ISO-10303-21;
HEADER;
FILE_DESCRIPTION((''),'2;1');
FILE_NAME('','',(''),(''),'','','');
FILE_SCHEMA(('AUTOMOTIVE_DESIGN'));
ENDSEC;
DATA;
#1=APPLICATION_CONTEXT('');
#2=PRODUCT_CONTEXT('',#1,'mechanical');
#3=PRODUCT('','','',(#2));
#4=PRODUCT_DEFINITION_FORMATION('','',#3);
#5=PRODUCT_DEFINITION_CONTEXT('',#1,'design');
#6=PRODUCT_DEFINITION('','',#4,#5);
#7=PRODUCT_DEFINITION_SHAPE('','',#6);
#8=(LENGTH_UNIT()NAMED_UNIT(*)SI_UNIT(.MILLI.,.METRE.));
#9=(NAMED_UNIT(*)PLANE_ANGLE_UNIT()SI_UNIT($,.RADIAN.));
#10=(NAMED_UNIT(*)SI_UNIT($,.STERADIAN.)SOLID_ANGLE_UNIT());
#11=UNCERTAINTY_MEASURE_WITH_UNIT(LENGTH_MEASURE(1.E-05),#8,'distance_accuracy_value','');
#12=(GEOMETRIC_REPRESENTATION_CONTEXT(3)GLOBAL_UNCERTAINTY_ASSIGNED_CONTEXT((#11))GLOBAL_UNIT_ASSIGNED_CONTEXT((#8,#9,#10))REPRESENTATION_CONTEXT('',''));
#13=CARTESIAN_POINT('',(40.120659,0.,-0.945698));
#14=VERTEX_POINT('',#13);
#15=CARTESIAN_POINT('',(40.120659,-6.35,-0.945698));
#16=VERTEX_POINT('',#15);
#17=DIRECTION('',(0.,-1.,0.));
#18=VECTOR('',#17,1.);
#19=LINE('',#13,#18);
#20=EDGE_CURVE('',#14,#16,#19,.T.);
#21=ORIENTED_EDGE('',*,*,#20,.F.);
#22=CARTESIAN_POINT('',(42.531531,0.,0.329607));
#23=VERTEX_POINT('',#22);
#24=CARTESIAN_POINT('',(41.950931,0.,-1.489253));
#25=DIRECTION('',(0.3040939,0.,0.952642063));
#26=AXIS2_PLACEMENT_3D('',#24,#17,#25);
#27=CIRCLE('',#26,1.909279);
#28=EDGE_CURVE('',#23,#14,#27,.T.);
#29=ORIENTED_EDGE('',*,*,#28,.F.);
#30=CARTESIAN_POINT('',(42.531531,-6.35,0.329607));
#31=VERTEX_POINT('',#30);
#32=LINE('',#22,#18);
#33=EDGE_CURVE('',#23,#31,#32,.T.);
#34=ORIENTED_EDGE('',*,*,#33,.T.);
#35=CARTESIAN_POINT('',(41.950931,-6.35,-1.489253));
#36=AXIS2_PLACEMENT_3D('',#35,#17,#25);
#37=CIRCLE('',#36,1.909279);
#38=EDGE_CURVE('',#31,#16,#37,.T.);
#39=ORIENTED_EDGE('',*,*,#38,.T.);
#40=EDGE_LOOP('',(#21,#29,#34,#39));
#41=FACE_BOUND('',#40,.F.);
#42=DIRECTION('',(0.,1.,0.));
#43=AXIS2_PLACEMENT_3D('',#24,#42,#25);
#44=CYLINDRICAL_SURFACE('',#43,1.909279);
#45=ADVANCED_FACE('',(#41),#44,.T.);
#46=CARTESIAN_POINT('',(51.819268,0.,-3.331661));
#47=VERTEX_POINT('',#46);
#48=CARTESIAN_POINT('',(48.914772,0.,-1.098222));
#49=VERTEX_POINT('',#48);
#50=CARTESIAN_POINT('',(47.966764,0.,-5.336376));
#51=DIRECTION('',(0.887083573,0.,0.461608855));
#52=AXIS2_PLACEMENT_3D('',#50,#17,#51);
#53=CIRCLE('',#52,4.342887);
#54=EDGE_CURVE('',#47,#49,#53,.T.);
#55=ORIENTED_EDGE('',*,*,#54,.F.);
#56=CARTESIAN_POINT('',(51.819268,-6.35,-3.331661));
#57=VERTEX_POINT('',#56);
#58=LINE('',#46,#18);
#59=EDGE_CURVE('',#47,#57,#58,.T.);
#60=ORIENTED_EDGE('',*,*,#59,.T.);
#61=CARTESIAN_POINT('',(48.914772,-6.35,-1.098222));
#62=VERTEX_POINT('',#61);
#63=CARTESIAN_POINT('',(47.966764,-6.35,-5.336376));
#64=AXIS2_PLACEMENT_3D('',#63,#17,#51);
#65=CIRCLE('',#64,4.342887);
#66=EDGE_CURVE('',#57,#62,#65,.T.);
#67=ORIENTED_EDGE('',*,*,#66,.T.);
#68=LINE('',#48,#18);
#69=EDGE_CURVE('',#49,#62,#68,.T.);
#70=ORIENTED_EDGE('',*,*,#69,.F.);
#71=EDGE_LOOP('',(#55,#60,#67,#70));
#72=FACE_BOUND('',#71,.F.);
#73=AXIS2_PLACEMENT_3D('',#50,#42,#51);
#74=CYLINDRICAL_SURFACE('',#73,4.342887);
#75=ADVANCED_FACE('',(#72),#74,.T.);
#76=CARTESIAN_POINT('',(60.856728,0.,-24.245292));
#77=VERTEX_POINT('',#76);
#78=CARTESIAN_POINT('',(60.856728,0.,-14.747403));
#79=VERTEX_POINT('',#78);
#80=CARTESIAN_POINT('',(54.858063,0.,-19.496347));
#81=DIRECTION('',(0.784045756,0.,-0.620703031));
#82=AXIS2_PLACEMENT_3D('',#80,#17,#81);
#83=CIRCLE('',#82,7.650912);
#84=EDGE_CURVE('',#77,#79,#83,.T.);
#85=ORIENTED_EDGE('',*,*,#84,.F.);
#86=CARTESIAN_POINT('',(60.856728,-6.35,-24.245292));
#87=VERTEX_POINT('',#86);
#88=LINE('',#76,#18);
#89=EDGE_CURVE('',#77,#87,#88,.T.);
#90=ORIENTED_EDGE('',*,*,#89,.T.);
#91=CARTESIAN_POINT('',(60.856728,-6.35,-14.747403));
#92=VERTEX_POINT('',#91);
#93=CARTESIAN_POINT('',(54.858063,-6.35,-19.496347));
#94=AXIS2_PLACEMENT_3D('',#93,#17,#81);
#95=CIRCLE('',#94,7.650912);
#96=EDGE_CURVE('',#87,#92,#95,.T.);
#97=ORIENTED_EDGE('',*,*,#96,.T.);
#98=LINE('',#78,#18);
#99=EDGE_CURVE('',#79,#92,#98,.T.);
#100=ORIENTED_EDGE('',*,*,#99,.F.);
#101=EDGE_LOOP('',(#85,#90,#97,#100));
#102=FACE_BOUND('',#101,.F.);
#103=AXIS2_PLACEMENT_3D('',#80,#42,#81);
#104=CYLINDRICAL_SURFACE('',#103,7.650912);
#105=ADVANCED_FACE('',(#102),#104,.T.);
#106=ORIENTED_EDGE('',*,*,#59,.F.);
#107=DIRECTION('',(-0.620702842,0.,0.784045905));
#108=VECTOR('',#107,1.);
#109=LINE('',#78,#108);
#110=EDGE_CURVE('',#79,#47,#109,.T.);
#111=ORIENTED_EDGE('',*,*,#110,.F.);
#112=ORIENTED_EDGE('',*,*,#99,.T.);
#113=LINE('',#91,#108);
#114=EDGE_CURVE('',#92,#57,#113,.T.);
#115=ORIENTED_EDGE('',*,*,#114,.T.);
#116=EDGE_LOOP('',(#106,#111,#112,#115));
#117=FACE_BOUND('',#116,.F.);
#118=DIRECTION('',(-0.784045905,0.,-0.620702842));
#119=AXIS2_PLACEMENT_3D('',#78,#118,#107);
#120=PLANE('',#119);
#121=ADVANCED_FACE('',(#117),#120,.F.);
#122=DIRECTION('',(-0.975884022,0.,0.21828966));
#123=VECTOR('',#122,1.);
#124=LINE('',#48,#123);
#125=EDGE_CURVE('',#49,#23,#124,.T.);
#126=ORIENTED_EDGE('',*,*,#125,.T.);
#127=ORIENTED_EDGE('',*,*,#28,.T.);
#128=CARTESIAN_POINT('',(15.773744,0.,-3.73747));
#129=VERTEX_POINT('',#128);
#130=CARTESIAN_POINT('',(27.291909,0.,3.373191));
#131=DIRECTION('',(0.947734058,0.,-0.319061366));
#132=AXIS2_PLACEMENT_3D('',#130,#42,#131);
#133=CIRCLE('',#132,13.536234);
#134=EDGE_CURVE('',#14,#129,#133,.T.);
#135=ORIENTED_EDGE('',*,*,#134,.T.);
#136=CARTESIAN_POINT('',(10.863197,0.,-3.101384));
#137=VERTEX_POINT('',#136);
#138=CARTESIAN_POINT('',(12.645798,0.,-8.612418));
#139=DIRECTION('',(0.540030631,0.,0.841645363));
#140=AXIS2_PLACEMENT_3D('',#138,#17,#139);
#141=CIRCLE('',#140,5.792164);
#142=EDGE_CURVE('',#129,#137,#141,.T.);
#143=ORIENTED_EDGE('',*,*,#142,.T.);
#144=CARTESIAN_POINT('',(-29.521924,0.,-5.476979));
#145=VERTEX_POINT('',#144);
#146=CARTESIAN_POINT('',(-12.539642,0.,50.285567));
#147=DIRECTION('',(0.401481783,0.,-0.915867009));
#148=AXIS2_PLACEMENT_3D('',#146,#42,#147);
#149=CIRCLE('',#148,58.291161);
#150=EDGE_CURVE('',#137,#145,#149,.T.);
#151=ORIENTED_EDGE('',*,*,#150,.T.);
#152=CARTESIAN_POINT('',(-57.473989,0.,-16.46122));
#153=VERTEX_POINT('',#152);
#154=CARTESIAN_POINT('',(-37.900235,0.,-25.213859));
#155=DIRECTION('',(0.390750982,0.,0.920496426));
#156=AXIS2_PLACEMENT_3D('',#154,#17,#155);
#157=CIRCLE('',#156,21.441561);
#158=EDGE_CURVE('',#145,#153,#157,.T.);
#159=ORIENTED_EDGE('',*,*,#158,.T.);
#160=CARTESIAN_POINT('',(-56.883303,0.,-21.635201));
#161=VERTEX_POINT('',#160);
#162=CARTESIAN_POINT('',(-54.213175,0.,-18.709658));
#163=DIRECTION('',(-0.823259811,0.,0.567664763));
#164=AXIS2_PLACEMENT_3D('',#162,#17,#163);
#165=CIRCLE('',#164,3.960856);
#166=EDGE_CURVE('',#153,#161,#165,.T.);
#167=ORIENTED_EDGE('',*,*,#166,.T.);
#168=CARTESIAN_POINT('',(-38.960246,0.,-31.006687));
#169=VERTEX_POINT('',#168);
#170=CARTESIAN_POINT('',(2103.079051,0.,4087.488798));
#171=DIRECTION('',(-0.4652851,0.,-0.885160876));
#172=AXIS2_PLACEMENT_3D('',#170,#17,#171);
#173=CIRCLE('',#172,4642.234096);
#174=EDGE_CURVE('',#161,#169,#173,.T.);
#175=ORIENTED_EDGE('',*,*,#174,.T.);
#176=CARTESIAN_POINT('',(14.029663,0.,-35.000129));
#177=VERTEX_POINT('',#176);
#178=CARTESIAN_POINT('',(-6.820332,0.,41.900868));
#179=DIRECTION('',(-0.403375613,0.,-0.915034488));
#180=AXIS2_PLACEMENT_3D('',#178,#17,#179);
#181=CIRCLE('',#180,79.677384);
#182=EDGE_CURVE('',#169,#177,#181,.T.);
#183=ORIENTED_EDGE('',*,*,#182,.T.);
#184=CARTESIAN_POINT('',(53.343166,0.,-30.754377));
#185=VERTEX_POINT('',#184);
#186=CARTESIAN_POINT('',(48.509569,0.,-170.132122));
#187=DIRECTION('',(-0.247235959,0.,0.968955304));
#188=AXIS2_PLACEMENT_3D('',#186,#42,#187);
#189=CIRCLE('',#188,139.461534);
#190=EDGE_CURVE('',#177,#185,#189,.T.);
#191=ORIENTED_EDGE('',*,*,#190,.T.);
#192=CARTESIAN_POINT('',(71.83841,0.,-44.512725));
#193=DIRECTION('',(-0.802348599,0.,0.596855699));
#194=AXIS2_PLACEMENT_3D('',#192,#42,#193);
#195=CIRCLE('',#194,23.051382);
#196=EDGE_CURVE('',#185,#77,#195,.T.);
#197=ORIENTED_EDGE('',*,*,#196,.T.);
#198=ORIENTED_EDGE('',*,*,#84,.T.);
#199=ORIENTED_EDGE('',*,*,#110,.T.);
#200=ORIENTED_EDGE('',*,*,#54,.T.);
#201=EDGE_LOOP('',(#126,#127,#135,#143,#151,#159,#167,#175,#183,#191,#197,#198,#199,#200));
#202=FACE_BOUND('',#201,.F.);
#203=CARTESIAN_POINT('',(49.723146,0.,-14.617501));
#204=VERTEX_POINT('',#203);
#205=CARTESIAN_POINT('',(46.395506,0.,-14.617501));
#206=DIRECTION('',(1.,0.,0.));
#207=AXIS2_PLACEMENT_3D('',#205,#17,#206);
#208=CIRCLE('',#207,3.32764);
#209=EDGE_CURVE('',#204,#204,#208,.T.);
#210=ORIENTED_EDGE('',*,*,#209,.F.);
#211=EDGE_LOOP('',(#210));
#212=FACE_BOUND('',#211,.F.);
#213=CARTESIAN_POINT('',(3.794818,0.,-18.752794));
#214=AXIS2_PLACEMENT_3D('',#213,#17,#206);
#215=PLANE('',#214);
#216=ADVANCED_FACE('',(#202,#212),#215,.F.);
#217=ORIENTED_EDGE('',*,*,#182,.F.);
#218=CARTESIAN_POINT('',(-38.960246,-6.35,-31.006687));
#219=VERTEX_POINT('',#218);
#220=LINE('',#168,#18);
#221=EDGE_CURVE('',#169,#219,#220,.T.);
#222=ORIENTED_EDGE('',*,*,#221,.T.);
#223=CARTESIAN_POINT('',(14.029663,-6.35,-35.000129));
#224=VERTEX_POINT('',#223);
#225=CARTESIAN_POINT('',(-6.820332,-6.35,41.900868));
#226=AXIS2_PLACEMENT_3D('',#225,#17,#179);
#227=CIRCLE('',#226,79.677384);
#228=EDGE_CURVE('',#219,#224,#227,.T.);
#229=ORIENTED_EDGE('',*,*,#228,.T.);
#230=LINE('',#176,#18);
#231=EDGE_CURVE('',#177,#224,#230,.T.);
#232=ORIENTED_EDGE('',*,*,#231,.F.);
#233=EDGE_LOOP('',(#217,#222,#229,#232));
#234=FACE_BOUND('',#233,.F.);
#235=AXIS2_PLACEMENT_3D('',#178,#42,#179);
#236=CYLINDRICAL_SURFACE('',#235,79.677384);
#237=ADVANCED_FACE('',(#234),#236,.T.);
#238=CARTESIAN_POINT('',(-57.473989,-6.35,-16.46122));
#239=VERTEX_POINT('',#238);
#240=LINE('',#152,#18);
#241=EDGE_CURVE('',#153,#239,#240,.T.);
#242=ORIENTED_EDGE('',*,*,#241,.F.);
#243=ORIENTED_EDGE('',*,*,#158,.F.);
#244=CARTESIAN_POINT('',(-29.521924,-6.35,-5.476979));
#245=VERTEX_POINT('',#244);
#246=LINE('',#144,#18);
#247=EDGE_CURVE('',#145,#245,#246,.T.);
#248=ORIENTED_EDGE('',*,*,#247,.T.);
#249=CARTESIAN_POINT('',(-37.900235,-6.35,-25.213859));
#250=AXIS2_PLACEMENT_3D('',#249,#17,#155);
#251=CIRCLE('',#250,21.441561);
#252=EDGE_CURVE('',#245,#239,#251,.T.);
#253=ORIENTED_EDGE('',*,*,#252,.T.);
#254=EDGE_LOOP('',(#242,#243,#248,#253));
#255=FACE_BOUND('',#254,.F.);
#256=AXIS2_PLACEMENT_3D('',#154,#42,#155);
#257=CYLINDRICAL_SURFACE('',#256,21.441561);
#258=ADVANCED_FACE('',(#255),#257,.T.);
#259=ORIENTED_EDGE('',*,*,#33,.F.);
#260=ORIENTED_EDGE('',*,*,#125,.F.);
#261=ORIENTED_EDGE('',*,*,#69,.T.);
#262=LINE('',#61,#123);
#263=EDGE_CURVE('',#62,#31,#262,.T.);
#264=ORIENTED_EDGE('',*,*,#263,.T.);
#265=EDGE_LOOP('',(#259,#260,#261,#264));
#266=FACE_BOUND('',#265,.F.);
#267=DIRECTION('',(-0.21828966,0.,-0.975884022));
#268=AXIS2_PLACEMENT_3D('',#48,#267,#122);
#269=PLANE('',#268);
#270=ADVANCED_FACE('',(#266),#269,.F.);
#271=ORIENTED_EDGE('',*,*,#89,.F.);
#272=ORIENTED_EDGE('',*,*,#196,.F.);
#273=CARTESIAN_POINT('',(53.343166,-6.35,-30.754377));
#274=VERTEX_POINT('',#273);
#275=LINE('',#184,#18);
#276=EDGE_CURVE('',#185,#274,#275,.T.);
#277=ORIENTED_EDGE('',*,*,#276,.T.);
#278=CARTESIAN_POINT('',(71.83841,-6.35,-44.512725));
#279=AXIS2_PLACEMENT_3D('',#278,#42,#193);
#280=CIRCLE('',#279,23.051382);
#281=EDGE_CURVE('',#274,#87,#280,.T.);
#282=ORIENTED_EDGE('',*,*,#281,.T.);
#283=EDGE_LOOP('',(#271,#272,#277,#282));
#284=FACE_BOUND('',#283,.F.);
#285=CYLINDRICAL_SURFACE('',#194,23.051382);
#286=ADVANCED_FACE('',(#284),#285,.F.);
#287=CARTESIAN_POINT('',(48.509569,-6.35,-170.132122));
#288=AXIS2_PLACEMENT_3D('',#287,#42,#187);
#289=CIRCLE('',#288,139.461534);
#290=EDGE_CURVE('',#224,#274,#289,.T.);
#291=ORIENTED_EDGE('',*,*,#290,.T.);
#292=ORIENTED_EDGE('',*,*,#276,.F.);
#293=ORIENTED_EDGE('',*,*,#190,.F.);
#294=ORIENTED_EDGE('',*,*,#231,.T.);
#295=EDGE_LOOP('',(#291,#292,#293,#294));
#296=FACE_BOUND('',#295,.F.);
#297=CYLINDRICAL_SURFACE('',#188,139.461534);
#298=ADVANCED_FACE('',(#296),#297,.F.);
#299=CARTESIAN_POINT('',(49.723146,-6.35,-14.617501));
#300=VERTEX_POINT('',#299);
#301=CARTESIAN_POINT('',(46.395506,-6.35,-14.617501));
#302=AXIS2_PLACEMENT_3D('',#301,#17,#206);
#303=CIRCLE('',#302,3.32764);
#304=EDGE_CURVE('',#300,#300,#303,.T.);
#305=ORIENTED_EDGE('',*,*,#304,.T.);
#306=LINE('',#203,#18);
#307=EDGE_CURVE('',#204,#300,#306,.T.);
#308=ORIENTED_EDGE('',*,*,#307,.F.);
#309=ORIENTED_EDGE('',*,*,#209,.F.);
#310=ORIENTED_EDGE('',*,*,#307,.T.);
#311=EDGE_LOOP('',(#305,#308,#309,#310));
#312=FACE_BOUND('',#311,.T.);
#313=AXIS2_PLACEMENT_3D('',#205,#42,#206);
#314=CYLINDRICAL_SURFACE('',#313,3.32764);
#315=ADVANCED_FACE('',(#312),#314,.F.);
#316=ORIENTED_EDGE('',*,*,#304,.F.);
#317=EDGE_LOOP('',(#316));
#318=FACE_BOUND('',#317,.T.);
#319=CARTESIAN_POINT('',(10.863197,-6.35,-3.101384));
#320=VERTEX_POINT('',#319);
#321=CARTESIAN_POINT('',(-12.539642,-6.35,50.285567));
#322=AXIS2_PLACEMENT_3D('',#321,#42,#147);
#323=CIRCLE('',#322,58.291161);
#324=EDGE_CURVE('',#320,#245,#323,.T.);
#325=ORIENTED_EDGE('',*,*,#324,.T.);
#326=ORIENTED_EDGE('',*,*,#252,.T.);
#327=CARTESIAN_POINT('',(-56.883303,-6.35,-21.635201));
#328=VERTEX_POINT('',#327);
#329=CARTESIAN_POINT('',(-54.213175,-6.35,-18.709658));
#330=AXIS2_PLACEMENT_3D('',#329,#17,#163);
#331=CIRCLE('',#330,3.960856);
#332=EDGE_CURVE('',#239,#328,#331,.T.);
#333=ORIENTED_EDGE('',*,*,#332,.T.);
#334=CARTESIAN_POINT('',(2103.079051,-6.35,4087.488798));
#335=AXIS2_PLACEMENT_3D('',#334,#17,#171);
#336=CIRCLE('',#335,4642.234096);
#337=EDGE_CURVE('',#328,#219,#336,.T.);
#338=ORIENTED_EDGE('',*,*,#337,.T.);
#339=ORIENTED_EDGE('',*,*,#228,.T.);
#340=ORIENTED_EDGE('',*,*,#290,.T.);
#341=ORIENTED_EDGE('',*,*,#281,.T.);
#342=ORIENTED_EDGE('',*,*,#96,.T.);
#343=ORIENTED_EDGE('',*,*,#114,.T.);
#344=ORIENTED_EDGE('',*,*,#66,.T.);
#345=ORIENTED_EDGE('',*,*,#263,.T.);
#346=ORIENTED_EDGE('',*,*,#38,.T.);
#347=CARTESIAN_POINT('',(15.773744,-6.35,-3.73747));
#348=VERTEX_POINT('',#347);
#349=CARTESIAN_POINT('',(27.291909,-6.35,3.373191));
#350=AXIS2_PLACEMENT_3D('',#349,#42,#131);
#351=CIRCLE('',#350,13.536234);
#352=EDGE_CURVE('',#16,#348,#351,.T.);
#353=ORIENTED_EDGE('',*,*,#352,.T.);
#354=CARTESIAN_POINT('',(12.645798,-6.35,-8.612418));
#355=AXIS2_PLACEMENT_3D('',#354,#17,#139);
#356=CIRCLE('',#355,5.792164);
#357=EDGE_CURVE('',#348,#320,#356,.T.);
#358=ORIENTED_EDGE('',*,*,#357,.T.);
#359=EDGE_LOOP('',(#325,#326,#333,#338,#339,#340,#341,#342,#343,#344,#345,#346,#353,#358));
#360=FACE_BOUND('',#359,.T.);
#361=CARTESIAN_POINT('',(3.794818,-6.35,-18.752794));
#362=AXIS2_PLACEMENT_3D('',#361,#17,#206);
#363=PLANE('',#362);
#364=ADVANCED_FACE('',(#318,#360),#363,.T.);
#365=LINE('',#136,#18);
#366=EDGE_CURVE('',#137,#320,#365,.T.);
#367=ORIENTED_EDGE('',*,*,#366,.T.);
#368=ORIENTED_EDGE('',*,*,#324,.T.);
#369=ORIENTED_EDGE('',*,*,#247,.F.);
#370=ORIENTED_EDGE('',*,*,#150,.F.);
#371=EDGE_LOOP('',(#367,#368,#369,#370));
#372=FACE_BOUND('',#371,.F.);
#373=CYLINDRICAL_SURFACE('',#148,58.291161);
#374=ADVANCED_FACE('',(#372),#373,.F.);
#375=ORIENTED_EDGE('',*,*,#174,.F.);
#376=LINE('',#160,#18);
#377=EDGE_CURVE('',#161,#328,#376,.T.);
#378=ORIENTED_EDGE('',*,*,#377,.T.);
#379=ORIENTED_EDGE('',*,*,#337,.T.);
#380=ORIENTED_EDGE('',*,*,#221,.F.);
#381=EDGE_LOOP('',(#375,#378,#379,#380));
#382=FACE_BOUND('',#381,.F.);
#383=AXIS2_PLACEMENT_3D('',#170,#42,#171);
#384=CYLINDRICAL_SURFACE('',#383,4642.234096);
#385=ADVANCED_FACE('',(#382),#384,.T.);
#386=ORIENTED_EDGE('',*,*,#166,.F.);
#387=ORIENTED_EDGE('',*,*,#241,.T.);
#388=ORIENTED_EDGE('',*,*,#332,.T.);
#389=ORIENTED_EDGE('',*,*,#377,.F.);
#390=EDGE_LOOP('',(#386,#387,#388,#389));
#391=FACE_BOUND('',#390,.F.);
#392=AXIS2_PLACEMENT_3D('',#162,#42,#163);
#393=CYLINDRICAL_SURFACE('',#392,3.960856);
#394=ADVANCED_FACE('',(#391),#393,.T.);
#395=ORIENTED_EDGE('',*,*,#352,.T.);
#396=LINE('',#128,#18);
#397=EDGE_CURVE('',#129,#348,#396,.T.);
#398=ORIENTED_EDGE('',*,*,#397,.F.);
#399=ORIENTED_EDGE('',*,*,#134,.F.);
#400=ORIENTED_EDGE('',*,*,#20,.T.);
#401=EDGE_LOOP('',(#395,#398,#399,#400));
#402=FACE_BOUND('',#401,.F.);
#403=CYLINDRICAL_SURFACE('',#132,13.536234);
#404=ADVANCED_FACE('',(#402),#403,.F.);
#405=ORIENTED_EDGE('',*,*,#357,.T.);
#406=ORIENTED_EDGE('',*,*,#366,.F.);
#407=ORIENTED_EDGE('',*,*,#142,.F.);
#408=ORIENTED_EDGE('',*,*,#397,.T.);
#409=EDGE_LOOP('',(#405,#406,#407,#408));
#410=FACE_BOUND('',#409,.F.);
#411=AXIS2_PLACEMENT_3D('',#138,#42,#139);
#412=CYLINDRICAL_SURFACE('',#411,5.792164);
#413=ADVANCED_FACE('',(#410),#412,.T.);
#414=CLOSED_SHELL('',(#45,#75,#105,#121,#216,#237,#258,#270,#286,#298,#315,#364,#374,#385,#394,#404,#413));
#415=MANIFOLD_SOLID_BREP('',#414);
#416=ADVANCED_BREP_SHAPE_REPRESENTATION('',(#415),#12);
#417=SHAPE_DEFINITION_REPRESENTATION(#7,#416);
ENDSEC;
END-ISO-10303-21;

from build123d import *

# Parameters (mm, degrees)
F0_R     = 3.32764
F1_DEPTH = 6.35


with BuildPart() as f1:
    # F0 (on Front) → F1 (new body)
    with BuildSketch(Plane.XZ):
        with BuildLine():
            ThreePointArc((10.863197, -3.101384), (-9.116668, -7.905005), (-29.521924, -5.476979))
            ThreePointArc((-29.521924, -5.476979), (-45.742293, -5.257841), (-57.473989, -16.46122))
            ThreePointArc((-57.473989, -16.46122), (-58.148469, -19.15893), (-56.883303, -21.635201))
            ThreePointArc((-56.883303, -21.635201), (-47.926878, -26.330705), (-38.960246, -31.006687))
            ThreePointArc((-38.960246, -31.006687), (-12.808025, -37.551213), (14.029663, -35.000129))
            ThreePointArc((14.029663, -35.000129), (33.535174, -31.476841), (53.343166, -30.754377))
            ThreePointArc((53.343166, -30.754377), (56.744891, -27.089985), (60.856728, -24.245292))
            ThreePointArc((60.856728, -24.245292), (62.508975, -19.496347), (60.856728, -14.747403))
            Line((60.856728, -14.747403), (51.819268, -3.331661))
            ThreePointArc((51.819268, -3.331661), (50.614082, -1.893648), (48.914772, -1.098222))
            Line((48.914772, -1.098222), (42.531531, 0.329607))
            ThreePointArc((42.531531, 0.329607), (41.058171, 0.198446), (40.120659, -0.945698))
            ThreePointArc((40.120659, -0.945698), (28.833955, -10.074921), (15.773744, -3.73747))
            ThreePointArc((15.773744, -3.73747), (13.389868, -2.868245), (10.863197, -3.101384))
        make_face()
        with Locations((46.395506, -14.617501)):
            Circle(F0_R, mode=Mode.SUBTRACT)
    extrude(amount=F1_DEPTH)


solid = f1.part
